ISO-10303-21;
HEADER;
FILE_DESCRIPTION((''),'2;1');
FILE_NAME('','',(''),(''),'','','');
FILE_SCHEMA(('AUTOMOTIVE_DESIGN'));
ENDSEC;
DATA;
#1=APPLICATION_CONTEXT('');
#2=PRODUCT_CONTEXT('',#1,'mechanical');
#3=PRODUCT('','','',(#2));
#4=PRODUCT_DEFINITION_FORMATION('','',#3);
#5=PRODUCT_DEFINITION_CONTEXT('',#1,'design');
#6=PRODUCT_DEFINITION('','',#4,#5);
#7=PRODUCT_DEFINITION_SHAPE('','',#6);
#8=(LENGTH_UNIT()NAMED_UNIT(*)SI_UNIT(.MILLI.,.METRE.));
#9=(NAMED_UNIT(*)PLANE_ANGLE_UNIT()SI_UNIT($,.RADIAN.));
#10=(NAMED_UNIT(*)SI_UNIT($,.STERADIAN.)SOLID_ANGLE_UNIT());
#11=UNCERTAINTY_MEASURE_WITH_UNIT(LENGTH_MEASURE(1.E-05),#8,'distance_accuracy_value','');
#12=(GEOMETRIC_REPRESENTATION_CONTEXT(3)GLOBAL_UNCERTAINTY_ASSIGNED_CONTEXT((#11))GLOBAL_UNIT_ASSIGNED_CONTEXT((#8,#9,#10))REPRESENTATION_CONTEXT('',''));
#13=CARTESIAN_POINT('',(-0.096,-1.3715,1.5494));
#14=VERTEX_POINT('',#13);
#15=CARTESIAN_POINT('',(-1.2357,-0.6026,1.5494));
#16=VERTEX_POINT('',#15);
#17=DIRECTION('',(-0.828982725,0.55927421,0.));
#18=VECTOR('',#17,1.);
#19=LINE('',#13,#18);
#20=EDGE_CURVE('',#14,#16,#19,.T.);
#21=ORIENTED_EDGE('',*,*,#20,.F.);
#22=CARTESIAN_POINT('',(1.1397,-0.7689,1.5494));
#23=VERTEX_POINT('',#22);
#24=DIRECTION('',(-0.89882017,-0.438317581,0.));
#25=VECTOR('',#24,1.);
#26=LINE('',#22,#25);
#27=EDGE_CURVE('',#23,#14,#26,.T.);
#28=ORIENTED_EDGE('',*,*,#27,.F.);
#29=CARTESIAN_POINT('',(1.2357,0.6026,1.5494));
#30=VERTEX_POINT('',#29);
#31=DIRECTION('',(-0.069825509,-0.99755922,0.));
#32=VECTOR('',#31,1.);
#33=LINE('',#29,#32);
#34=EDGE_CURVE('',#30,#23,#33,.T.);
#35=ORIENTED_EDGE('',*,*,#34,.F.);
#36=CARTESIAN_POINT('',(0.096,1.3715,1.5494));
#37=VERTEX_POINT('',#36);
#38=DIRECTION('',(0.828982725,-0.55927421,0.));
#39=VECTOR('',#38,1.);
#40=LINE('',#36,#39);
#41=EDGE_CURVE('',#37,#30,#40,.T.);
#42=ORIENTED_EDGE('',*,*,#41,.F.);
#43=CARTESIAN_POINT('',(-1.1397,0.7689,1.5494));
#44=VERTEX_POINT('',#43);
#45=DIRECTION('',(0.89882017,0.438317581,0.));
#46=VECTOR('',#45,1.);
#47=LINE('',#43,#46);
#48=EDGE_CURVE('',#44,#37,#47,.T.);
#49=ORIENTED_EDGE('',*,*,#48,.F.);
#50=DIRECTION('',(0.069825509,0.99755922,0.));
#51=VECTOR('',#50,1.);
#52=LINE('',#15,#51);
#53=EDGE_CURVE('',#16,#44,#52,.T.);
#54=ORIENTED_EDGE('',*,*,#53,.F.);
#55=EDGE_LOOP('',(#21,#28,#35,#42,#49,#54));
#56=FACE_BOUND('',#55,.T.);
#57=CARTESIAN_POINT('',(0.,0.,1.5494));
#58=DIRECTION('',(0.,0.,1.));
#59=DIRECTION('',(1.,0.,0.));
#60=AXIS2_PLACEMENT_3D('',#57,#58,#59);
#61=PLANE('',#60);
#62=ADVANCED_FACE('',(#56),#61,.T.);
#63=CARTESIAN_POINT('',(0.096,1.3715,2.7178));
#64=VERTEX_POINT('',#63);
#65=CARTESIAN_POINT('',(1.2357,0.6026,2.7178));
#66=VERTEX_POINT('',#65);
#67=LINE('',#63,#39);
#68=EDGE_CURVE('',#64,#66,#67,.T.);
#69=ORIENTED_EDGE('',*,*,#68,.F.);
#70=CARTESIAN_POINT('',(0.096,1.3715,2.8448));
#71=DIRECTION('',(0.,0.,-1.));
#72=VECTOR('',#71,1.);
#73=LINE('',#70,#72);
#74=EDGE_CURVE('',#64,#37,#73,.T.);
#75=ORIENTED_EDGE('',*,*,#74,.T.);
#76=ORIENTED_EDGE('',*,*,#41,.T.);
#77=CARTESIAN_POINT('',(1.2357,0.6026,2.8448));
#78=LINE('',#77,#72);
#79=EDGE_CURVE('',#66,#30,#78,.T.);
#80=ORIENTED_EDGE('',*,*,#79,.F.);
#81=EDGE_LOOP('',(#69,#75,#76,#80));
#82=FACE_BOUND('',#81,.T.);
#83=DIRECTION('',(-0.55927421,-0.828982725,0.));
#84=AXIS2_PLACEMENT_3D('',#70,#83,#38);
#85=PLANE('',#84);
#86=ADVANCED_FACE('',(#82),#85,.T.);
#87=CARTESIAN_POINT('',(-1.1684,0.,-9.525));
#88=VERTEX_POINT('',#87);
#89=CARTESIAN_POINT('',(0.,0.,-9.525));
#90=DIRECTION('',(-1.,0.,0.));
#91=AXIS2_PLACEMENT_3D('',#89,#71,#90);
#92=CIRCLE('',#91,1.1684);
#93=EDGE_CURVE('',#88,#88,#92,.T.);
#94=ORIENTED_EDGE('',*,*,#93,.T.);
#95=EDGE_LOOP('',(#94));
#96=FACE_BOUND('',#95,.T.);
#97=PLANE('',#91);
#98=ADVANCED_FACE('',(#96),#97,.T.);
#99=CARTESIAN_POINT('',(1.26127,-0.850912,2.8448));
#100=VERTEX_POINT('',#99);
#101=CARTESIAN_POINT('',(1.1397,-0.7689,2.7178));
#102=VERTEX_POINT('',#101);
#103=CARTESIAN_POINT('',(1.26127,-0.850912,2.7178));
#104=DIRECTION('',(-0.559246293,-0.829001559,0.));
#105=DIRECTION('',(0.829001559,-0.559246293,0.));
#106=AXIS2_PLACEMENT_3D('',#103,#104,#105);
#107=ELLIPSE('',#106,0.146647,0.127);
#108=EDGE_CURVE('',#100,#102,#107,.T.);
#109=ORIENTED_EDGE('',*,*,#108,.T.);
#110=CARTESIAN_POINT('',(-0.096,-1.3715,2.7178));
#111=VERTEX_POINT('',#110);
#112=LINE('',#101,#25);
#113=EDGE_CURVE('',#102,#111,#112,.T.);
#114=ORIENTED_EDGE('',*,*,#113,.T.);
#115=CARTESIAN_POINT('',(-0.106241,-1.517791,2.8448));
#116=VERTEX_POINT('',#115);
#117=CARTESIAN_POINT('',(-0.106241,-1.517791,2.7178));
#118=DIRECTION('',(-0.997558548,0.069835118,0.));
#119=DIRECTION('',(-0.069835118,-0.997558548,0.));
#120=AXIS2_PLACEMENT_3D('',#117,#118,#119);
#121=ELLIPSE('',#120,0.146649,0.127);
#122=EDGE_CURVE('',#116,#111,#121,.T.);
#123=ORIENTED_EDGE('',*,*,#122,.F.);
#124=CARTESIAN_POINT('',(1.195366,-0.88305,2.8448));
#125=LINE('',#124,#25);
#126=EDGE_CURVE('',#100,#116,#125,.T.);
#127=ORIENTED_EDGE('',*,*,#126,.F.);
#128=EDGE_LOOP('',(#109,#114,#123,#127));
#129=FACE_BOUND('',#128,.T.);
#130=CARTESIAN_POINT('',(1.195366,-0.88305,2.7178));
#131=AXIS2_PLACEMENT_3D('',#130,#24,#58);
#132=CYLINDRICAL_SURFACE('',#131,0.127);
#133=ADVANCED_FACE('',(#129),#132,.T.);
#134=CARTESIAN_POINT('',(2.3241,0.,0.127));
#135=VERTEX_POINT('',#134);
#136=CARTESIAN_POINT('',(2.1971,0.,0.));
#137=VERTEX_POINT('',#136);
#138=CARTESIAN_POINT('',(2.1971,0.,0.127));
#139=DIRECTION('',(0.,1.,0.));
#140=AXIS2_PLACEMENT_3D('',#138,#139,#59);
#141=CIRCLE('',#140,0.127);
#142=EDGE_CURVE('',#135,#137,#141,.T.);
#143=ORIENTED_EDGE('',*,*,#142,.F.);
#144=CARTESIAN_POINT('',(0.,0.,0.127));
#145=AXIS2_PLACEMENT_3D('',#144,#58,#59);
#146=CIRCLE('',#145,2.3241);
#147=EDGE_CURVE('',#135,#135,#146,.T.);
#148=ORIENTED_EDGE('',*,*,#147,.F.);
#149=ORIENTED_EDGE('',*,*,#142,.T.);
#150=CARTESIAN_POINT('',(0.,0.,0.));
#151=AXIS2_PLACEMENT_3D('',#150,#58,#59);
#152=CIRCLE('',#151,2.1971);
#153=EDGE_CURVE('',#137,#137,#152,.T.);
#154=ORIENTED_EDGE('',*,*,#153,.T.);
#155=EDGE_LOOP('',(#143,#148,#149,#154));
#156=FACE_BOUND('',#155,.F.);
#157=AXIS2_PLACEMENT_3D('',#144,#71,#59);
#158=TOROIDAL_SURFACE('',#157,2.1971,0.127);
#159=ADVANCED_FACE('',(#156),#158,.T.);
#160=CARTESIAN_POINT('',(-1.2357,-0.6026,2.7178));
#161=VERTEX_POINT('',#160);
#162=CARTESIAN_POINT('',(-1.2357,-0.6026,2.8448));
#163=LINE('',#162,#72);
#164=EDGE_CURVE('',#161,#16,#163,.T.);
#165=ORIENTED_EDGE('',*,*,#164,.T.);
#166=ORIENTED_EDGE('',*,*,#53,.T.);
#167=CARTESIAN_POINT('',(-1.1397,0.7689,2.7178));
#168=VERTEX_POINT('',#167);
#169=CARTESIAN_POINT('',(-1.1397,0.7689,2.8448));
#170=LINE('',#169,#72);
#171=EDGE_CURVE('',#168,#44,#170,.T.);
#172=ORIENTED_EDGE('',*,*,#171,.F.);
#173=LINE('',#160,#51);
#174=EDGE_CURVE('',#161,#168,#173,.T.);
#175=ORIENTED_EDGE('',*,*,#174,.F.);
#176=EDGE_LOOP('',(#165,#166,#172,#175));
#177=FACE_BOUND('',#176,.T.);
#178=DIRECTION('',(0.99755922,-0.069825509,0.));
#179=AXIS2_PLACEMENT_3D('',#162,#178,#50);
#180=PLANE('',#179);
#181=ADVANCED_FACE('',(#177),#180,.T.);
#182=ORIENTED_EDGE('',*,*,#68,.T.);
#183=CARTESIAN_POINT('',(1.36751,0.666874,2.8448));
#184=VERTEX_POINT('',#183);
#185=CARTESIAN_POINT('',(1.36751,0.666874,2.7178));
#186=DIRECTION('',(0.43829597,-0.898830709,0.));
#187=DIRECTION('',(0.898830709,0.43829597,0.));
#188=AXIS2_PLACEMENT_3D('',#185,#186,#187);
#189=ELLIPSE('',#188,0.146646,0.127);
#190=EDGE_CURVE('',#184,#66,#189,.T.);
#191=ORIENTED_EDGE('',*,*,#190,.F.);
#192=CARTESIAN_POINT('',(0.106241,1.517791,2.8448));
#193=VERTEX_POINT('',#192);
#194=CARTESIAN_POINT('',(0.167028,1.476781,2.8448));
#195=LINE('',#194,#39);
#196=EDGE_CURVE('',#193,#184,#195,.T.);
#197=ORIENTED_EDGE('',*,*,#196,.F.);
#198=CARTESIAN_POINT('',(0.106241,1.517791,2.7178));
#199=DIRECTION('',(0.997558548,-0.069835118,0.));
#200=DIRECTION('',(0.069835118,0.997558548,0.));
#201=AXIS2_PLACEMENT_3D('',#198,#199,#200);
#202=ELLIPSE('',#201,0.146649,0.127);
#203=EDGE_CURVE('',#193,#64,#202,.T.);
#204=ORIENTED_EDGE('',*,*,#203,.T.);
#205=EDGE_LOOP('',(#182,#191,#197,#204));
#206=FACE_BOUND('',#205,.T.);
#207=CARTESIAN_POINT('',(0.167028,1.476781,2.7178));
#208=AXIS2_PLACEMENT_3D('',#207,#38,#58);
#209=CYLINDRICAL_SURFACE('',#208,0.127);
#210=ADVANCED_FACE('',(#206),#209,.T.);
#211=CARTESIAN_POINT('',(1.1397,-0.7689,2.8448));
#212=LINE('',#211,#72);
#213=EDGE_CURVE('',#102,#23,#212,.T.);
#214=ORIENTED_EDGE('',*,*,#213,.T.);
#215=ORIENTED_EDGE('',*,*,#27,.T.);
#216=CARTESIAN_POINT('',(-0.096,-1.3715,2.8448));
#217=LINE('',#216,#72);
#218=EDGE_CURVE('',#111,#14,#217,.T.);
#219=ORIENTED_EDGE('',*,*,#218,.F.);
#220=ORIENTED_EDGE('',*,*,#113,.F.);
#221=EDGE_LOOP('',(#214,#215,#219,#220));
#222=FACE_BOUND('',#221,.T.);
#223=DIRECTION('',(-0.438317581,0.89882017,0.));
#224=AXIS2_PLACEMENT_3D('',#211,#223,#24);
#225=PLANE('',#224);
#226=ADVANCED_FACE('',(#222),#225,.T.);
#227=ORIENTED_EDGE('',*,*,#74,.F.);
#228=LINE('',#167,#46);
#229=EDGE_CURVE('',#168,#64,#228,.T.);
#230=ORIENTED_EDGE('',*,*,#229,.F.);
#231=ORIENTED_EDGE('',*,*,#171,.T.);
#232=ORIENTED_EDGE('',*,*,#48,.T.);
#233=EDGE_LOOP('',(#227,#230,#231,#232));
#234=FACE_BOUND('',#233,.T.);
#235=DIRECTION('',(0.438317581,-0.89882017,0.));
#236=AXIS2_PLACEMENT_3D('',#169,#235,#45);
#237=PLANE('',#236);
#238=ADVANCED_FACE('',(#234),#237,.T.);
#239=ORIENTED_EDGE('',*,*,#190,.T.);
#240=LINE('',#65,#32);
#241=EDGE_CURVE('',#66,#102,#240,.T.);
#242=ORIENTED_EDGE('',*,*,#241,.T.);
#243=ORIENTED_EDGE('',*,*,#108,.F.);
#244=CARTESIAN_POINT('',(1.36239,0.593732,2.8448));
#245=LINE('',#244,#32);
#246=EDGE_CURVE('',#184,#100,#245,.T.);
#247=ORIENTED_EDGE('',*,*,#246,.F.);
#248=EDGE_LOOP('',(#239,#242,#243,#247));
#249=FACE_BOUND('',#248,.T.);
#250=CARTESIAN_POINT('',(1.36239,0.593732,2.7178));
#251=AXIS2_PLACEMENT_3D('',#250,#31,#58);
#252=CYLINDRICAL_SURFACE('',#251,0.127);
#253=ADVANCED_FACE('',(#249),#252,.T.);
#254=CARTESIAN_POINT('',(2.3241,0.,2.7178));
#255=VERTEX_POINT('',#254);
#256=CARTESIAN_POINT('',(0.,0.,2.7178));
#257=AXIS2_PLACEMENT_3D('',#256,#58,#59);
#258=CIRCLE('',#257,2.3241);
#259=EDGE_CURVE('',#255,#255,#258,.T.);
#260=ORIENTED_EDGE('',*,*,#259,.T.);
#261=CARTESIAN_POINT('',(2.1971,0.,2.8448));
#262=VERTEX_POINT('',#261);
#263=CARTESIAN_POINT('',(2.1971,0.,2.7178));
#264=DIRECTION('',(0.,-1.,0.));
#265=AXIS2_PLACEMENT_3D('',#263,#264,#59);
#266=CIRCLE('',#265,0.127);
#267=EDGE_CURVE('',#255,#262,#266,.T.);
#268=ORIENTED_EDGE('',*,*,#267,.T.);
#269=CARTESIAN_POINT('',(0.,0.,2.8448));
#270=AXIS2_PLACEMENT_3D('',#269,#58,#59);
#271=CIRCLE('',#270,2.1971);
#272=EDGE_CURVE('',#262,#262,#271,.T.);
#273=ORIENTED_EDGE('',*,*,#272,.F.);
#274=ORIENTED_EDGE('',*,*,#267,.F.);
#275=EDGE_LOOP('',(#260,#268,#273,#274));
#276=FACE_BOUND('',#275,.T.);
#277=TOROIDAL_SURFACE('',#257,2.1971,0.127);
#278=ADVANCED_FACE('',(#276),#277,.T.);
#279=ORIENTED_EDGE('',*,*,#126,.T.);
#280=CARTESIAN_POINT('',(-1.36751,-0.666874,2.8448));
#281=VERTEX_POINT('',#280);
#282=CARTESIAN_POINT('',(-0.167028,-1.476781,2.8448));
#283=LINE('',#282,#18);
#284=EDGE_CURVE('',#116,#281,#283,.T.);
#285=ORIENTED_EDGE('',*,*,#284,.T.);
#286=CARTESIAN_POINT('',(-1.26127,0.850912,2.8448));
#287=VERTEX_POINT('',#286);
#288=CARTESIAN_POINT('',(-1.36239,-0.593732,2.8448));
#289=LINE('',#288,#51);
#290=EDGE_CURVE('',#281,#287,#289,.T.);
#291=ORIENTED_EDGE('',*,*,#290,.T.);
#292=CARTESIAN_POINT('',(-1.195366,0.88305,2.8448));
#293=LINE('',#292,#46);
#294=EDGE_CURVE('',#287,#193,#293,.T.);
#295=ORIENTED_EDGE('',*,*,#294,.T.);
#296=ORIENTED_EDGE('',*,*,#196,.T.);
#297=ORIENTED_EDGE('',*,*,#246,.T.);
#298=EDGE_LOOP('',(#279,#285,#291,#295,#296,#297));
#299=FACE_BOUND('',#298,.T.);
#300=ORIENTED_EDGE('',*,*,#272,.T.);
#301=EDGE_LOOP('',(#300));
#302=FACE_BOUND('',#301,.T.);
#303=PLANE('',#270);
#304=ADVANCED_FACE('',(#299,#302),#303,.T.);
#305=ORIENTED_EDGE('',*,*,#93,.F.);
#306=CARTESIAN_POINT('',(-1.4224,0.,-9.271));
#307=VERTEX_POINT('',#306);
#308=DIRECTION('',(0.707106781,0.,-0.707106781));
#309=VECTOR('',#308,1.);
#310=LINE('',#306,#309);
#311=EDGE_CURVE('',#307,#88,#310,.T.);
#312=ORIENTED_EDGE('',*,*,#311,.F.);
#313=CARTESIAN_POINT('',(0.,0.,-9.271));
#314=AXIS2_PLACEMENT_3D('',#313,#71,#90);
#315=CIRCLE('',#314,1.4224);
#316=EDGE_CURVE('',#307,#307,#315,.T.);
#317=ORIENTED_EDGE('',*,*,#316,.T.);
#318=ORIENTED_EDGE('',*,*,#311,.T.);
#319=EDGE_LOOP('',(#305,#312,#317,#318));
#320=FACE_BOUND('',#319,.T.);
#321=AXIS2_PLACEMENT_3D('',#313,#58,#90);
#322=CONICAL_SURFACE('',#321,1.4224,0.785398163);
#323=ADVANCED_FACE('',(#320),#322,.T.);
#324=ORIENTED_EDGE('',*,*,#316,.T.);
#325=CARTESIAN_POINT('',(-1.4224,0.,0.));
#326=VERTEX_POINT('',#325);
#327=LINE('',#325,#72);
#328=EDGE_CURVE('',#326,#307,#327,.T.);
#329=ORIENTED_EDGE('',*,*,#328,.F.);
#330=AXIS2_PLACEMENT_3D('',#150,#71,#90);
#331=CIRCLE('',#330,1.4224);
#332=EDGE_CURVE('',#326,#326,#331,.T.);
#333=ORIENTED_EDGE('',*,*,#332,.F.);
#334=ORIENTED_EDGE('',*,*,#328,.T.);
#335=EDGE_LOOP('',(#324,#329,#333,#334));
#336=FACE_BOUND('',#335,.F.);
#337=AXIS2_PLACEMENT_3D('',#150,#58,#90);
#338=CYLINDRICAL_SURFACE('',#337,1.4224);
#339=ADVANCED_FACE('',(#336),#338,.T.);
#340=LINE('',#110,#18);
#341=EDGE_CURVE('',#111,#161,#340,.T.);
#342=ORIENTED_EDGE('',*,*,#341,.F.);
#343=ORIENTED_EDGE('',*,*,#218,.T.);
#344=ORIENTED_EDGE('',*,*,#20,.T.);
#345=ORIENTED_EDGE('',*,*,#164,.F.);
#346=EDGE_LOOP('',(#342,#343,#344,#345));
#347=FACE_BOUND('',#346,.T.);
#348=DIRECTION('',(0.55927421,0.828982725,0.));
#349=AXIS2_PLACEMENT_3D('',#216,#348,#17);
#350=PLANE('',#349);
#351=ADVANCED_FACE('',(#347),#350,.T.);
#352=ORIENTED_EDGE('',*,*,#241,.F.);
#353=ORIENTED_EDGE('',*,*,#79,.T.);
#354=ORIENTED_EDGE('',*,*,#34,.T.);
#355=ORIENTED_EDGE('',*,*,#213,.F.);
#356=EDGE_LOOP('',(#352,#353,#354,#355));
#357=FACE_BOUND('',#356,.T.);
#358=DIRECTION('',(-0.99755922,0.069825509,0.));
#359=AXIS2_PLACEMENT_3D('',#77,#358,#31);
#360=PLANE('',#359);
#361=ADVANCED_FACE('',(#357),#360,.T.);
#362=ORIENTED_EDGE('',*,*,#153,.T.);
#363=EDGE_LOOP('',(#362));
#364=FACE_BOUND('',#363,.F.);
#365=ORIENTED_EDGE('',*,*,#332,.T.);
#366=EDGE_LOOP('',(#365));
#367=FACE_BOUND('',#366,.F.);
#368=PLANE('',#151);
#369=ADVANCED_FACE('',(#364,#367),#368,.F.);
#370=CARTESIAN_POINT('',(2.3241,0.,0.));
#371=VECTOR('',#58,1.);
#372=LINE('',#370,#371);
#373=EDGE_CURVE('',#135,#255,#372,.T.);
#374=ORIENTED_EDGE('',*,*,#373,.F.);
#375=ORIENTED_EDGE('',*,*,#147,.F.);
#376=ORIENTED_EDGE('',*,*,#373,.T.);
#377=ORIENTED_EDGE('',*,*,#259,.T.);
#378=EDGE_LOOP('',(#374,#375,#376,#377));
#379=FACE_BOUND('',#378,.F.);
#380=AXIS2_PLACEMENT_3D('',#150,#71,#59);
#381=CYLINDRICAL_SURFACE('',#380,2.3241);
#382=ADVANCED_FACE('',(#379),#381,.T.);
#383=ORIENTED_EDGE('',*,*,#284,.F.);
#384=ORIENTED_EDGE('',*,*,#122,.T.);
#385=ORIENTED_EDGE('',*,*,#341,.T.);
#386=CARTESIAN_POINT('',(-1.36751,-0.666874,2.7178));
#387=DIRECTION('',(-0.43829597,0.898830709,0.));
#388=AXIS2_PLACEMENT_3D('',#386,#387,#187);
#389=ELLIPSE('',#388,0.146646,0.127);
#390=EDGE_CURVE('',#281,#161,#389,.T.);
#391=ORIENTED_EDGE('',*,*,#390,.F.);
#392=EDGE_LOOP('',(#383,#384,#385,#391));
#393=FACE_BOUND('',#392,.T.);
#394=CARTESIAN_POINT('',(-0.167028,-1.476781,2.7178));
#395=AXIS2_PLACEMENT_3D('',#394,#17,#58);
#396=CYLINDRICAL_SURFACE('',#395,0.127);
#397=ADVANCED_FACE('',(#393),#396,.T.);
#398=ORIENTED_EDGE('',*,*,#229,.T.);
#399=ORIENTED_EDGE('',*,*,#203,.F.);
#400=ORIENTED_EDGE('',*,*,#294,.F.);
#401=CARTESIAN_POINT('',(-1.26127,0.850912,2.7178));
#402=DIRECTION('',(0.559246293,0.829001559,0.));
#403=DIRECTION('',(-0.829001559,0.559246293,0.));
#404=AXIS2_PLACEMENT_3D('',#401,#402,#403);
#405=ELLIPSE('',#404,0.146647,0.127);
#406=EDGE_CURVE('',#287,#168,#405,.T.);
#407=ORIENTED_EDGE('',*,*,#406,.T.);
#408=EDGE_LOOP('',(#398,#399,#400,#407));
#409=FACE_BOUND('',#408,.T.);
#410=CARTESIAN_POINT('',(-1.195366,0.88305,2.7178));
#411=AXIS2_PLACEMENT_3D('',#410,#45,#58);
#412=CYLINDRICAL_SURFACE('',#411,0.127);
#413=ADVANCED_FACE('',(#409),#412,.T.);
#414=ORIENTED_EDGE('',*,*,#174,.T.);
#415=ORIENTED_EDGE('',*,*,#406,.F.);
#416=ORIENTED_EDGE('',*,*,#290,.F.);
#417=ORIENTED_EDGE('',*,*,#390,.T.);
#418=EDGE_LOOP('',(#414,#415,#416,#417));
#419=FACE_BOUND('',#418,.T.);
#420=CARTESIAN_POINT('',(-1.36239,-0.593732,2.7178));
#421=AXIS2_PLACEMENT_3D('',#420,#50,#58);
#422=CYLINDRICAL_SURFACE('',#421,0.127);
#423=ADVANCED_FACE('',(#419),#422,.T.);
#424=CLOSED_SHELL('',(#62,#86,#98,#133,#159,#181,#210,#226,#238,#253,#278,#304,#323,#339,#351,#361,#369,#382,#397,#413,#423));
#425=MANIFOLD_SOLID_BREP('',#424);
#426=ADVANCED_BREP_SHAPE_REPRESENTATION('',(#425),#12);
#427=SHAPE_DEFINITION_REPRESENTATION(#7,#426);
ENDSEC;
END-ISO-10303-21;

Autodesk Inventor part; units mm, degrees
ref_plane "YZ Plane" through (0, 0, 0) normal (1, 0, 0) x (0, 1, 0)
ref_plane "XZ Plane" through (0, 0, 0) normal (0, 1, 0) x (-1, 0, 0)
ref_plane "XY Plane" through (0, 0, 0) normal (0, 0, 1) x (1, 0, 0)
sketch "Sketch1" plane through (0, 0, 0) normal (0, 0, 1) x (1, 0, 0)
  circle A0 centre (0, 0) radius 2.3241
  dimension "max_head_dia" = 4.6482
extrude "Extrusion1" add sketch "Sketch1" along normal blind 2.8448
sketch "Sketch2" plane through (0, 0, 0) normal (0, 0, -1) x (-1, 0, 0)
  circle A0 centre (0, 0) radius 2.3241 projected
  circle A1 centre (0, 0) radius 1.4224
  dimension "max_body_dia" = 2.8448
extrude "Extrusion2" add sketch "Sketch2" along normal blind 9.525 contours A1
sketch "Sketch3" plane through (0, 0, 2.8448) normal (0, 0, 1) x (1, 0, 0)
  circle A0 centre (0, 0) radius 2.3241 projected
  line L0 (-1.1397, 0.7689) -> (0.096, 1.3715)
  line L1 (0.096, 1.3715) -> (1.2357, 0.6026)
  line L2 (1.2357, 0.6026) -> (1.1397, -0.7689)
  line L3 (1.1397, -0.7689) -> (-0.096, -1.3715)
  line L4 (-0.096, -1.3715) -> (-1.2357, -0.6026)
  line L5 (-1.2357, -0.6026) -> (-1.1397, 0.7689)
  dimension "hex_socket_size" = 2.3813
extrude "Extrusion3" cut sketch "Sketch3" against normal blind 1.2954 contours L0 L1 L2 L3 L4 L5
thread "Thread1" size "4-40 UNC" class "2A" standard "ANSI Unified Screw Threads" full length
chamfer "Chamfer1" distance 0.254 angle 45 1 edges at (1.4224, 0, -9.525)
fillet "Fillet1" radius 0.127 1 edges at (-2.3241, 0, 2.8448)
fillet "Fillet2" radius 0.127 1 edges at (-2.3241, 0, 0)
fillet "Fillet3" radius 0.127 6 edges at (-1.1877, 0.0832, 2.8448) (-0.5218, 1.0702, 2.8448) (0.6659, 0.987, 2.8448) (1.1877, -0.0832, 2.8448) (0.5218, -1.0702, 2.8448) (-0.6659, -0.987, 2.8448)
properties part number "4_40_hex_cap_screw"
